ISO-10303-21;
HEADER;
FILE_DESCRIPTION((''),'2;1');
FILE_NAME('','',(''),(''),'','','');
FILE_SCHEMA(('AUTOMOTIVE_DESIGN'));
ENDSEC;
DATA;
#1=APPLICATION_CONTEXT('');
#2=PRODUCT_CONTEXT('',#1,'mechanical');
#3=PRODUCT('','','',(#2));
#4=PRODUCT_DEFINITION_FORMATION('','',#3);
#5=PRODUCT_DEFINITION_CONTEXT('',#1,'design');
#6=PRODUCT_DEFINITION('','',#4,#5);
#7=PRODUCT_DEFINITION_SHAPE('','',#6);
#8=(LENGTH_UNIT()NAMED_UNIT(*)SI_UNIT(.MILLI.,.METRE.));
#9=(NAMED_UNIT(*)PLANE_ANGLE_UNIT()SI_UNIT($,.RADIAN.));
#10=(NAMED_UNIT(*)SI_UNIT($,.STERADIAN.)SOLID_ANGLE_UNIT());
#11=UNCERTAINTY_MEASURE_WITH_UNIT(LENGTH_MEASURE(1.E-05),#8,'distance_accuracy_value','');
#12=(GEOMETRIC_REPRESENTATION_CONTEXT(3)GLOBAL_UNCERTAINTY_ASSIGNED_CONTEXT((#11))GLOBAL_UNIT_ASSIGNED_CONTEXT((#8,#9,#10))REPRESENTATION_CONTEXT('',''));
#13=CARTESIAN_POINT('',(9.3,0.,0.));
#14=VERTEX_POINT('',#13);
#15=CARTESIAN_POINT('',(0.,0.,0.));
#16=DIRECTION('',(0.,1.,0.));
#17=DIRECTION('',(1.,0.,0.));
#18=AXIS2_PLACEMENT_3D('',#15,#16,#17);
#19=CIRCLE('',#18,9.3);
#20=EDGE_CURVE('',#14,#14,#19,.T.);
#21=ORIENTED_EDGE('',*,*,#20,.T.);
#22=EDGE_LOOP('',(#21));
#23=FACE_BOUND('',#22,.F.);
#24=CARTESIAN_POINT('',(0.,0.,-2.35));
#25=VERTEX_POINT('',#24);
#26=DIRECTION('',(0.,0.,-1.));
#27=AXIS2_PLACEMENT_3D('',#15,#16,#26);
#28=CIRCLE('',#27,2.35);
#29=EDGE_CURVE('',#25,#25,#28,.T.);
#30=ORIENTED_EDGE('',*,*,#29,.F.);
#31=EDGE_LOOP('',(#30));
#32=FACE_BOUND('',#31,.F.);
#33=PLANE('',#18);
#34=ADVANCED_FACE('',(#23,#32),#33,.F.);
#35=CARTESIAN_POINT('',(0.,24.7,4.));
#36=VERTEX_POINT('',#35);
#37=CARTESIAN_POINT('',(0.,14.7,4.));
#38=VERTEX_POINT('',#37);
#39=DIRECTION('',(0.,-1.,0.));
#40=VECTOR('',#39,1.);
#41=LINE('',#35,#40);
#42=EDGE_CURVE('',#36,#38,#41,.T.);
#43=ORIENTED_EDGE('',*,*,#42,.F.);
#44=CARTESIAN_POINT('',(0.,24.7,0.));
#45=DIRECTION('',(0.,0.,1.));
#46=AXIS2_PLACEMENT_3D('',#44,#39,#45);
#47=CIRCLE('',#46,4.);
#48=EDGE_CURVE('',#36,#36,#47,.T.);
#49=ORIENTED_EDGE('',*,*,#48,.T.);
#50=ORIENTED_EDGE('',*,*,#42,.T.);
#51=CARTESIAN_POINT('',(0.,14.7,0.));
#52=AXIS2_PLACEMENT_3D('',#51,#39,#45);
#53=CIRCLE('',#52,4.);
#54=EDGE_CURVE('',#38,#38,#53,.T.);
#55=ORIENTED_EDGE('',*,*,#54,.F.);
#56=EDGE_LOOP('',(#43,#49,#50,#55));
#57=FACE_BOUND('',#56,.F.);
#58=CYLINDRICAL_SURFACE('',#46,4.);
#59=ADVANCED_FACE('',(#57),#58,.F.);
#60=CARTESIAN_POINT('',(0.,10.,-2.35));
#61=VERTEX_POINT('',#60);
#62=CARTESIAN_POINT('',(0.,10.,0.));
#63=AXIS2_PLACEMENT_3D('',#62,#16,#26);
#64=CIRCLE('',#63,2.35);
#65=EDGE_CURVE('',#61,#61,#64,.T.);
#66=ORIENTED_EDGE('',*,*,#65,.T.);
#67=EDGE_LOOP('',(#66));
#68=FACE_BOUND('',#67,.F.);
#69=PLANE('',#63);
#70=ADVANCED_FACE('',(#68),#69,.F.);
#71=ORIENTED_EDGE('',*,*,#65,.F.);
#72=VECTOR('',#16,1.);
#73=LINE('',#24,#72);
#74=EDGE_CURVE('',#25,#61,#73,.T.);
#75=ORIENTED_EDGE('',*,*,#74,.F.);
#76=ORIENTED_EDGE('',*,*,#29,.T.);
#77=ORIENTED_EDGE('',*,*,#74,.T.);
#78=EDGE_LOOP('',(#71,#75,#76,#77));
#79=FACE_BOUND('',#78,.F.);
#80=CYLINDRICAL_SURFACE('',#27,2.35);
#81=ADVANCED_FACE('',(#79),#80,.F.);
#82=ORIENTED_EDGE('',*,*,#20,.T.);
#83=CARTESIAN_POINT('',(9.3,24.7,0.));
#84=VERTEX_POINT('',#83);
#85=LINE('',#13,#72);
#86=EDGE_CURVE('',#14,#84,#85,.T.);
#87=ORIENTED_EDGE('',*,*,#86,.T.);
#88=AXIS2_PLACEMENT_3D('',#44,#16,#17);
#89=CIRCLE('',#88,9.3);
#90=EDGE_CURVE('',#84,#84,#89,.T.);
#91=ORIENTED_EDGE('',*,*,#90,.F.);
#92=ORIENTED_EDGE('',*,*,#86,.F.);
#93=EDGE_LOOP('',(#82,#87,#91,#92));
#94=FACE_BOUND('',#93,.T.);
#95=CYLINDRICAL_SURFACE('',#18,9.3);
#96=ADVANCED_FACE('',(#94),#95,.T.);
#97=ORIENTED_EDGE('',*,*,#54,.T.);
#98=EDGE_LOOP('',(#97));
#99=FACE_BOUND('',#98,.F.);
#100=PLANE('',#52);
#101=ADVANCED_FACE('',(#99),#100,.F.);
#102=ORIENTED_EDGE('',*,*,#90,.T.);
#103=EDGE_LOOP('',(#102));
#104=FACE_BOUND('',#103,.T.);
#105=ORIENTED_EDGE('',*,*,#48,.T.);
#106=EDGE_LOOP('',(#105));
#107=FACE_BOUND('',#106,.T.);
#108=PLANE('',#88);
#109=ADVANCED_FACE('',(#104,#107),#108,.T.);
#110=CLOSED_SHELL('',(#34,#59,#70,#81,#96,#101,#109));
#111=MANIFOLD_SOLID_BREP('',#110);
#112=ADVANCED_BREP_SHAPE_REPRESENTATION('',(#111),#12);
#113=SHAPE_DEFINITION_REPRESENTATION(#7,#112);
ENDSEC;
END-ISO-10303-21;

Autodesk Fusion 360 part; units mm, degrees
cylinder "CylinderPrimitive1" add diameter 18.6 height 24.7 placed x (1, 0, 0) y (0, 0, -1) z (0, 1, 0) at (0, 0, 0)
hole "Hole1" at (0, 24.7, 0) direction (0, -1, 0) diameter 8 depth 10 tip angle 180
hole "Hole2" at (0, 0, 0) direction (0, 1, 0) diameter 4.7 depth 10 tip angle 180
